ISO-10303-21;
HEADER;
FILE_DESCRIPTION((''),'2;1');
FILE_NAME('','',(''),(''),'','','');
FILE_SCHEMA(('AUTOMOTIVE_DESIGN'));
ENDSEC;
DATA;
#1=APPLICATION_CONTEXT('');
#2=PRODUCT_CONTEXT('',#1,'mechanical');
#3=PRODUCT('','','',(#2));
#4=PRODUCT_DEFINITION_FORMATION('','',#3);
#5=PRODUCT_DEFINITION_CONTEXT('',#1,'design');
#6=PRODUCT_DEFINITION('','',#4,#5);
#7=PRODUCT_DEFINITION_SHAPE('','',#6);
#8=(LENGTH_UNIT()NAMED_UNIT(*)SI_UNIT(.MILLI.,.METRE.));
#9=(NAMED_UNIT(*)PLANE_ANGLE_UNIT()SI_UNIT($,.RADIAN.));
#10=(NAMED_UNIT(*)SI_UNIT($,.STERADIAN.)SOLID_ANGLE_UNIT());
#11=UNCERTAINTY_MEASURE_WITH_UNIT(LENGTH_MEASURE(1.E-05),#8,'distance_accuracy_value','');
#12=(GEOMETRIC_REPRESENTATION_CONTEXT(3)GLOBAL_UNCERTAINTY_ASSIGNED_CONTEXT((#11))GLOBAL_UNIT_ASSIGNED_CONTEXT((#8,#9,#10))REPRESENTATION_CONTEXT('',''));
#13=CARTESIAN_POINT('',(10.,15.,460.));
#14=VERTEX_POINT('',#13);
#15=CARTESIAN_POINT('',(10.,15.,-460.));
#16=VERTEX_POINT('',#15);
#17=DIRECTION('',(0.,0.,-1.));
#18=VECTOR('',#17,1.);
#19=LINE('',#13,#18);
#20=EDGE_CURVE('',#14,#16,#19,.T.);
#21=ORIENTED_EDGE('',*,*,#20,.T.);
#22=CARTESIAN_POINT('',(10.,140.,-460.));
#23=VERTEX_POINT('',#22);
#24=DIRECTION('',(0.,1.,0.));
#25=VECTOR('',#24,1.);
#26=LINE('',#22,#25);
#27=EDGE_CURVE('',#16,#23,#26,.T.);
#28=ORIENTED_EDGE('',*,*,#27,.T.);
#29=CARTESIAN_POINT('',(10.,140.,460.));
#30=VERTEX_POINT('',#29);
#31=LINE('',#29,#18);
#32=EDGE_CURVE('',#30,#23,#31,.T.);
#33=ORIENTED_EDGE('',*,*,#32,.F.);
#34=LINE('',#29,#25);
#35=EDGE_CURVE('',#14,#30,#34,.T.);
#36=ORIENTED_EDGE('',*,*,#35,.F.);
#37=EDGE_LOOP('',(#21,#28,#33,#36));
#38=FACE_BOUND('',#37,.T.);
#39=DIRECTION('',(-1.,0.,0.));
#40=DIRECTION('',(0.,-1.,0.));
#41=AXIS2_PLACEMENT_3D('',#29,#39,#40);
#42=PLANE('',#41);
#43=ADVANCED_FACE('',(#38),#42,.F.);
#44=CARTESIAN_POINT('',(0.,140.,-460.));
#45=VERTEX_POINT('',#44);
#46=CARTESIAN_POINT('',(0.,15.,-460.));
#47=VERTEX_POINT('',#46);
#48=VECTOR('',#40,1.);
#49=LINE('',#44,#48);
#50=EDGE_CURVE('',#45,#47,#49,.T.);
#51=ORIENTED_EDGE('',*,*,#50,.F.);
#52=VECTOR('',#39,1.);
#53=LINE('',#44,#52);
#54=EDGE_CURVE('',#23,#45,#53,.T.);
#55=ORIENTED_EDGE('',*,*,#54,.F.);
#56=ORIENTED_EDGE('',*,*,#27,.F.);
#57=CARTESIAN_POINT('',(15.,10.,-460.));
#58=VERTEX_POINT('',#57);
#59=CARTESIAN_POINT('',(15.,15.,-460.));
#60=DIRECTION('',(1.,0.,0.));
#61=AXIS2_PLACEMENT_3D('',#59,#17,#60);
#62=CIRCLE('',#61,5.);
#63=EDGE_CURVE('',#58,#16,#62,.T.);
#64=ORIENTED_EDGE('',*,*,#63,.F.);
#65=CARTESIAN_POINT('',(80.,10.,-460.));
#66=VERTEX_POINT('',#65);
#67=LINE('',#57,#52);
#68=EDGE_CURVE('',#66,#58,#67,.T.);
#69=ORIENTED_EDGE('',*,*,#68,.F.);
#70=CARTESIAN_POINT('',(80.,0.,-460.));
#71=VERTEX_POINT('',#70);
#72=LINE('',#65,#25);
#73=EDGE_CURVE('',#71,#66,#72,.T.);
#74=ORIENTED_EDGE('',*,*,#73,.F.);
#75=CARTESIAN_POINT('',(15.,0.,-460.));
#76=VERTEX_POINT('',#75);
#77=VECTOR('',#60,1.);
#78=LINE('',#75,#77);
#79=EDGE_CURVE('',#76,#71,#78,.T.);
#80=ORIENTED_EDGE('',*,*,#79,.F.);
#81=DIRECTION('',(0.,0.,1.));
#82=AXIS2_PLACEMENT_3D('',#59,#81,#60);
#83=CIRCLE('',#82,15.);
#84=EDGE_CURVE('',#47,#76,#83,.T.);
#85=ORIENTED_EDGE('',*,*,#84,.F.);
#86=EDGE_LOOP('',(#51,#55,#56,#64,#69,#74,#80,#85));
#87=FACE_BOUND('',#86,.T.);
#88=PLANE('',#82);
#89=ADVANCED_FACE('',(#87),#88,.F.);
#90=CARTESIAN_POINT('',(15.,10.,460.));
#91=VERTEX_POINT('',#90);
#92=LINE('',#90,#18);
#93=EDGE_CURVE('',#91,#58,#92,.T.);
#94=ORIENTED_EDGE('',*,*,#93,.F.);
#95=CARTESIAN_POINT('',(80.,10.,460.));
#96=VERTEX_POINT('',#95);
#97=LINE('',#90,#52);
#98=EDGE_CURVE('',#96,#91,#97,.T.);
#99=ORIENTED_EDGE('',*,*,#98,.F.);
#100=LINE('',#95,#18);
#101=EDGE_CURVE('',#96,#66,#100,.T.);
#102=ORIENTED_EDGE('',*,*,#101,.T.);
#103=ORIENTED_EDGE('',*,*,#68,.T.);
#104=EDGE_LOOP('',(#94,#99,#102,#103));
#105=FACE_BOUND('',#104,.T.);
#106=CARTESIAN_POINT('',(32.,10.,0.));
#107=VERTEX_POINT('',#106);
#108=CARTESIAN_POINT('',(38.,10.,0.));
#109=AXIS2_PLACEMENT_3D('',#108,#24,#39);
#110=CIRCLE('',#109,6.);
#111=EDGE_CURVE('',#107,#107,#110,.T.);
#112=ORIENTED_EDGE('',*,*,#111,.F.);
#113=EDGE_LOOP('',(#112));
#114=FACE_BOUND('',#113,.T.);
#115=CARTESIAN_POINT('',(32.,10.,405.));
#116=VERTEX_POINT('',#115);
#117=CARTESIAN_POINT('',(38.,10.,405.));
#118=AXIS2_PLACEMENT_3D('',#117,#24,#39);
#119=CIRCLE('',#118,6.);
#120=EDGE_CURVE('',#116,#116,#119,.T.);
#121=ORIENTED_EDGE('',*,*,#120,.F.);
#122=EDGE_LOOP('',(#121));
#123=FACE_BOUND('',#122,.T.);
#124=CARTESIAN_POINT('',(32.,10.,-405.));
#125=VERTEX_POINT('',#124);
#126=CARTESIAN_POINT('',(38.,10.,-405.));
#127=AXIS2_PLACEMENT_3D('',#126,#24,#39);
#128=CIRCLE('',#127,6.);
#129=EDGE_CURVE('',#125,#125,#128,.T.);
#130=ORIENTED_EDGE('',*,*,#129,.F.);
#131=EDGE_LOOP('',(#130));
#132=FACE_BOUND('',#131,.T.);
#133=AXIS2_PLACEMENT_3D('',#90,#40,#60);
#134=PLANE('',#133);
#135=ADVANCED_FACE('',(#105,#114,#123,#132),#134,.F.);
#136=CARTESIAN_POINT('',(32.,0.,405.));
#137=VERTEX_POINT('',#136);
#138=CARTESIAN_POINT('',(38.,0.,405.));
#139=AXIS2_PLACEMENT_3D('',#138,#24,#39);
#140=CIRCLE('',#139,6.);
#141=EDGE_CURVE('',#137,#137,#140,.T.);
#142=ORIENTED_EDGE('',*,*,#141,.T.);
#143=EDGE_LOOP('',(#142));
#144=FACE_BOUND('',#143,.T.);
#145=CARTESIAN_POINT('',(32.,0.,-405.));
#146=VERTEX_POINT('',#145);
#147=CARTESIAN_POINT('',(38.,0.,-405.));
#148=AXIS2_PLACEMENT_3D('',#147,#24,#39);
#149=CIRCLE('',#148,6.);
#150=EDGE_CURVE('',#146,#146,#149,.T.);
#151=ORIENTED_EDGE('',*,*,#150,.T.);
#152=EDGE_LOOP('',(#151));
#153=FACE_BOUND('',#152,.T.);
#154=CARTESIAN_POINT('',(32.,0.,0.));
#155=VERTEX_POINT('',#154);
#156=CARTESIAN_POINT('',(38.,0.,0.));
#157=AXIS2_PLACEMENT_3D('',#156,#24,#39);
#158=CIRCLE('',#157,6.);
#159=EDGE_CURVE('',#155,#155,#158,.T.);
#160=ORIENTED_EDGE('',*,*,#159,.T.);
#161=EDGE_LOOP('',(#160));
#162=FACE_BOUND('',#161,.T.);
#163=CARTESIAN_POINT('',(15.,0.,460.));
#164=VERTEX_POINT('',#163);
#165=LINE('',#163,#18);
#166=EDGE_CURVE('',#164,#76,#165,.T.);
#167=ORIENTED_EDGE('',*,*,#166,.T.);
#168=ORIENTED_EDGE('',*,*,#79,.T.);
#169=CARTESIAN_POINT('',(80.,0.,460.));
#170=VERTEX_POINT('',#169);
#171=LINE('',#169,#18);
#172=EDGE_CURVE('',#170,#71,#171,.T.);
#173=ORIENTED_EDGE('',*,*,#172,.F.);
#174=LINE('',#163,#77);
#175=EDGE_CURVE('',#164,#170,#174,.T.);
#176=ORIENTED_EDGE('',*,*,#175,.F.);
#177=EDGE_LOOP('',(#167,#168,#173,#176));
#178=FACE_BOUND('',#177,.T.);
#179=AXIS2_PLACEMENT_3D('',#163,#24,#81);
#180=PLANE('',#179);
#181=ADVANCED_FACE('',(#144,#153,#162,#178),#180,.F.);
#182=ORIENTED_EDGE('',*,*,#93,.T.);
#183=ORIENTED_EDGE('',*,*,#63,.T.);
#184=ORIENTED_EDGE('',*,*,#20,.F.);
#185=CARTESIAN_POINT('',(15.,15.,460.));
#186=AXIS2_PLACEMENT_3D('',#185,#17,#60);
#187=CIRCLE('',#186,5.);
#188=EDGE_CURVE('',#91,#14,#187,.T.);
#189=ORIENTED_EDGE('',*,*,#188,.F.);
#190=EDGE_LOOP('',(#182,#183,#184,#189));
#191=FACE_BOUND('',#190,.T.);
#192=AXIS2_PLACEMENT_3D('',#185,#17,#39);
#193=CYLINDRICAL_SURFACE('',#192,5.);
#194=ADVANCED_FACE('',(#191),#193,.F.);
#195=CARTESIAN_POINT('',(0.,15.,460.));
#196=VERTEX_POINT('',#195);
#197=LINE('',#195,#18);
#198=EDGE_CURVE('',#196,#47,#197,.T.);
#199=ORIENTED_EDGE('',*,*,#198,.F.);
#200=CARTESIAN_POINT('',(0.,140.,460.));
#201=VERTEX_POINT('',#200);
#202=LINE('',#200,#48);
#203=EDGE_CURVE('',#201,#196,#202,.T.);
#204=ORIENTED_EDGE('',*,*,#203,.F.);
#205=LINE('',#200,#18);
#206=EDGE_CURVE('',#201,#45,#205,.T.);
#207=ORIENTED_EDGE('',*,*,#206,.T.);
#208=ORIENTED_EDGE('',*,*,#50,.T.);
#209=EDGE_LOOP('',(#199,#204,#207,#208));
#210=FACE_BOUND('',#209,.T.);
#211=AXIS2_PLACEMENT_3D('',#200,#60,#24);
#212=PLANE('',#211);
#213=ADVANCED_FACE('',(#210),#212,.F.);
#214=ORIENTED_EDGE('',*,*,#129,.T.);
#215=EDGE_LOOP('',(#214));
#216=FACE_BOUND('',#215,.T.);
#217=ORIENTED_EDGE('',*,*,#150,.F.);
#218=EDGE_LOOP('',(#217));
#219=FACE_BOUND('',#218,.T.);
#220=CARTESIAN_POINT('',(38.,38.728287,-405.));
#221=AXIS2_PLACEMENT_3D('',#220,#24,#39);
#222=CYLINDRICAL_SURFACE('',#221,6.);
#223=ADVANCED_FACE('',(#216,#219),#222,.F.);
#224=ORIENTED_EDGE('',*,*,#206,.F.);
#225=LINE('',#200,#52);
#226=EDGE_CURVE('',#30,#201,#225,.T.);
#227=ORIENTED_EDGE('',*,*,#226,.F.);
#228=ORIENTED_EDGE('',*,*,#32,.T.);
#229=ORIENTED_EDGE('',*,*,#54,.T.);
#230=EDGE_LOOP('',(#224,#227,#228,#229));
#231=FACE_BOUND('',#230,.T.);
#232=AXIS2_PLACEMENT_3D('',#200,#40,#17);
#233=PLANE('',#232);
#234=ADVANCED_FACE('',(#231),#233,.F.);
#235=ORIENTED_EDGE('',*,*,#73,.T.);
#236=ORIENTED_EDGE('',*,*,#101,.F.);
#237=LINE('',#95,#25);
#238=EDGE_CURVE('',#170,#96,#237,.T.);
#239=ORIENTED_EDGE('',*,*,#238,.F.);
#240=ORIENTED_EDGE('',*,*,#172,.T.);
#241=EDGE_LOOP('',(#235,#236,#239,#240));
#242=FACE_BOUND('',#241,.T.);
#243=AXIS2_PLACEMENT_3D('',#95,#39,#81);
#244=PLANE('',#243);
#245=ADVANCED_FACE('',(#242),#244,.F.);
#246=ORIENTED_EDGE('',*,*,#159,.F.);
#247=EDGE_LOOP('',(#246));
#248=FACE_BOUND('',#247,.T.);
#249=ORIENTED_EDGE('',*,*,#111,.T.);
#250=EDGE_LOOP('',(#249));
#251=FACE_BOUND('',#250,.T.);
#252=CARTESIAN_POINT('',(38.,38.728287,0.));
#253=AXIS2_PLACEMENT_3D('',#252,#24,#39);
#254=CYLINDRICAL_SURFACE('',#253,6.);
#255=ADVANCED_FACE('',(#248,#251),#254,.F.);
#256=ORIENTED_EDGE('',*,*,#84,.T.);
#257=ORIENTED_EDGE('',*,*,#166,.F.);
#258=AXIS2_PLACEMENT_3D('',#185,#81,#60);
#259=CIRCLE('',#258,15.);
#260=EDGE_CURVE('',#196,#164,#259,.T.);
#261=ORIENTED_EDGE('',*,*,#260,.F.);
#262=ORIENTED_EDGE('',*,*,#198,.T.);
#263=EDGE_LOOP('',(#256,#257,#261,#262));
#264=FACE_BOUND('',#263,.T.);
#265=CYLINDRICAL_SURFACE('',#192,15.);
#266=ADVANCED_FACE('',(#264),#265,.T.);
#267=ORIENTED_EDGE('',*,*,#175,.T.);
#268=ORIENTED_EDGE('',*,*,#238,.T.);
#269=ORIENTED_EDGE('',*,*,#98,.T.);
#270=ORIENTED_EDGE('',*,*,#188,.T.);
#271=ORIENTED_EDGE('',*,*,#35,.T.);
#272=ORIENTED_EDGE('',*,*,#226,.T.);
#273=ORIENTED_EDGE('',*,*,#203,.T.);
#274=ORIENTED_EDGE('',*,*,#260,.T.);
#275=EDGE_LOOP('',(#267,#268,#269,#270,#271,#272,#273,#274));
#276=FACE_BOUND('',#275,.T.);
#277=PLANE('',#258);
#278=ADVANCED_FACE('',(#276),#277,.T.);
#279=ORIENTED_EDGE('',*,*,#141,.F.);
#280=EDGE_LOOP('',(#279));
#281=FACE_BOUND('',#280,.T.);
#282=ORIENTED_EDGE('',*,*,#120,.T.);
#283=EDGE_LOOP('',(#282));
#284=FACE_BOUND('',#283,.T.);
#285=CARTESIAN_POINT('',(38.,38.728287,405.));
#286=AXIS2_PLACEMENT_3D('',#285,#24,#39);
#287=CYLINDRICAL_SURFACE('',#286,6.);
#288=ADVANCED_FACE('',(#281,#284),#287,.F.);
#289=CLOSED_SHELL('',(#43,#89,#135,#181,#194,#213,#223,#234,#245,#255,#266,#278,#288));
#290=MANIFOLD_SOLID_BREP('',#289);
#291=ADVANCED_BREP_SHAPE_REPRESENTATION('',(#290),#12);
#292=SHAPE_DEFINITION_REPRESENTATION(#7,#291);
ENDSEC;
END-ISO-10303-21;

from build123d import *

# Parameters (mm, degrees)
EXTRUDE_1_DEPTH            = 460
SKETCH_2_W                 = 6
SKETCH_2_H                 = 10
PATTERN_LINEAR_1_COUNT     = 2
PATTERN_LINEAR_1_PITCH     = 405
PATTERN_LINEAR_1_COL_COUNT = 2
PATTERN_LINEAR_1_COL_PITCH = 405


with BuildPart() as part:
    # 草图1 → 凸台-拉伸1 (new, symmetric)
    with BuildSketch(Plane.XY):
        with BuildLine():
            Line((0, 140), (0, 15))
            ThreePointArc((0, 15), (4.393398282, 4.393398282), (15, 0))
            Line((15, 0), (80, 0))
            Line((80, 0), (80, 10))
            Line((80, 10), (15, 10))
            ThreePointArc((15, 10), (11.464466094, 11.464466094), (10, 15))
            Line((10, 15), (10, 140))
            Line((10, 140), (0, 140))
        make_face()
    extrude(amount=EXTRUDE_1_DEPTH, both=True)

    # 草图2 → 切除-旋转1 (revolve, cut)
    with BuildSketch(Plane.XY, mode=Mode.PRIVATE) as cut_revolve_1_sk:
        with Locations((41, 5)):
            Rectangle(SKETCH_2_W, SKETCH_2_H)
    cut_revolve_1 = revolve(cut_revolve_1_sk.sketch.rotate(Axis((38, 38.728286981, 0), (0, -1, 0)), 180), axis=Axis((38, 38.728286981, 0), (0, -1, 0)), mode=Mode.SUBTRACT)

    # 阵列(线性)1: 切除-旋转1 ×2
    with Locations(*[(0, 0, i * PATTERN_LINEAR_1_PITCH) for i in range(1, PATTERN_LINEAR_1_COUNT)]):
        add(cut_revolve_1, mode=Mode.SUBTRACT)

    # 阵列(线性)1 col: 切除-旋转1 ×2
    with Locations(*[(0, 0, -i * PATTERN_LINEAR_1_COL_PITCH) for i in range(1, PATTERN_LINEAR_1_COL_COUNT)]):
        add(cut_revolve_1, mode=Mode.SUBTRACT)


solid = part.part
